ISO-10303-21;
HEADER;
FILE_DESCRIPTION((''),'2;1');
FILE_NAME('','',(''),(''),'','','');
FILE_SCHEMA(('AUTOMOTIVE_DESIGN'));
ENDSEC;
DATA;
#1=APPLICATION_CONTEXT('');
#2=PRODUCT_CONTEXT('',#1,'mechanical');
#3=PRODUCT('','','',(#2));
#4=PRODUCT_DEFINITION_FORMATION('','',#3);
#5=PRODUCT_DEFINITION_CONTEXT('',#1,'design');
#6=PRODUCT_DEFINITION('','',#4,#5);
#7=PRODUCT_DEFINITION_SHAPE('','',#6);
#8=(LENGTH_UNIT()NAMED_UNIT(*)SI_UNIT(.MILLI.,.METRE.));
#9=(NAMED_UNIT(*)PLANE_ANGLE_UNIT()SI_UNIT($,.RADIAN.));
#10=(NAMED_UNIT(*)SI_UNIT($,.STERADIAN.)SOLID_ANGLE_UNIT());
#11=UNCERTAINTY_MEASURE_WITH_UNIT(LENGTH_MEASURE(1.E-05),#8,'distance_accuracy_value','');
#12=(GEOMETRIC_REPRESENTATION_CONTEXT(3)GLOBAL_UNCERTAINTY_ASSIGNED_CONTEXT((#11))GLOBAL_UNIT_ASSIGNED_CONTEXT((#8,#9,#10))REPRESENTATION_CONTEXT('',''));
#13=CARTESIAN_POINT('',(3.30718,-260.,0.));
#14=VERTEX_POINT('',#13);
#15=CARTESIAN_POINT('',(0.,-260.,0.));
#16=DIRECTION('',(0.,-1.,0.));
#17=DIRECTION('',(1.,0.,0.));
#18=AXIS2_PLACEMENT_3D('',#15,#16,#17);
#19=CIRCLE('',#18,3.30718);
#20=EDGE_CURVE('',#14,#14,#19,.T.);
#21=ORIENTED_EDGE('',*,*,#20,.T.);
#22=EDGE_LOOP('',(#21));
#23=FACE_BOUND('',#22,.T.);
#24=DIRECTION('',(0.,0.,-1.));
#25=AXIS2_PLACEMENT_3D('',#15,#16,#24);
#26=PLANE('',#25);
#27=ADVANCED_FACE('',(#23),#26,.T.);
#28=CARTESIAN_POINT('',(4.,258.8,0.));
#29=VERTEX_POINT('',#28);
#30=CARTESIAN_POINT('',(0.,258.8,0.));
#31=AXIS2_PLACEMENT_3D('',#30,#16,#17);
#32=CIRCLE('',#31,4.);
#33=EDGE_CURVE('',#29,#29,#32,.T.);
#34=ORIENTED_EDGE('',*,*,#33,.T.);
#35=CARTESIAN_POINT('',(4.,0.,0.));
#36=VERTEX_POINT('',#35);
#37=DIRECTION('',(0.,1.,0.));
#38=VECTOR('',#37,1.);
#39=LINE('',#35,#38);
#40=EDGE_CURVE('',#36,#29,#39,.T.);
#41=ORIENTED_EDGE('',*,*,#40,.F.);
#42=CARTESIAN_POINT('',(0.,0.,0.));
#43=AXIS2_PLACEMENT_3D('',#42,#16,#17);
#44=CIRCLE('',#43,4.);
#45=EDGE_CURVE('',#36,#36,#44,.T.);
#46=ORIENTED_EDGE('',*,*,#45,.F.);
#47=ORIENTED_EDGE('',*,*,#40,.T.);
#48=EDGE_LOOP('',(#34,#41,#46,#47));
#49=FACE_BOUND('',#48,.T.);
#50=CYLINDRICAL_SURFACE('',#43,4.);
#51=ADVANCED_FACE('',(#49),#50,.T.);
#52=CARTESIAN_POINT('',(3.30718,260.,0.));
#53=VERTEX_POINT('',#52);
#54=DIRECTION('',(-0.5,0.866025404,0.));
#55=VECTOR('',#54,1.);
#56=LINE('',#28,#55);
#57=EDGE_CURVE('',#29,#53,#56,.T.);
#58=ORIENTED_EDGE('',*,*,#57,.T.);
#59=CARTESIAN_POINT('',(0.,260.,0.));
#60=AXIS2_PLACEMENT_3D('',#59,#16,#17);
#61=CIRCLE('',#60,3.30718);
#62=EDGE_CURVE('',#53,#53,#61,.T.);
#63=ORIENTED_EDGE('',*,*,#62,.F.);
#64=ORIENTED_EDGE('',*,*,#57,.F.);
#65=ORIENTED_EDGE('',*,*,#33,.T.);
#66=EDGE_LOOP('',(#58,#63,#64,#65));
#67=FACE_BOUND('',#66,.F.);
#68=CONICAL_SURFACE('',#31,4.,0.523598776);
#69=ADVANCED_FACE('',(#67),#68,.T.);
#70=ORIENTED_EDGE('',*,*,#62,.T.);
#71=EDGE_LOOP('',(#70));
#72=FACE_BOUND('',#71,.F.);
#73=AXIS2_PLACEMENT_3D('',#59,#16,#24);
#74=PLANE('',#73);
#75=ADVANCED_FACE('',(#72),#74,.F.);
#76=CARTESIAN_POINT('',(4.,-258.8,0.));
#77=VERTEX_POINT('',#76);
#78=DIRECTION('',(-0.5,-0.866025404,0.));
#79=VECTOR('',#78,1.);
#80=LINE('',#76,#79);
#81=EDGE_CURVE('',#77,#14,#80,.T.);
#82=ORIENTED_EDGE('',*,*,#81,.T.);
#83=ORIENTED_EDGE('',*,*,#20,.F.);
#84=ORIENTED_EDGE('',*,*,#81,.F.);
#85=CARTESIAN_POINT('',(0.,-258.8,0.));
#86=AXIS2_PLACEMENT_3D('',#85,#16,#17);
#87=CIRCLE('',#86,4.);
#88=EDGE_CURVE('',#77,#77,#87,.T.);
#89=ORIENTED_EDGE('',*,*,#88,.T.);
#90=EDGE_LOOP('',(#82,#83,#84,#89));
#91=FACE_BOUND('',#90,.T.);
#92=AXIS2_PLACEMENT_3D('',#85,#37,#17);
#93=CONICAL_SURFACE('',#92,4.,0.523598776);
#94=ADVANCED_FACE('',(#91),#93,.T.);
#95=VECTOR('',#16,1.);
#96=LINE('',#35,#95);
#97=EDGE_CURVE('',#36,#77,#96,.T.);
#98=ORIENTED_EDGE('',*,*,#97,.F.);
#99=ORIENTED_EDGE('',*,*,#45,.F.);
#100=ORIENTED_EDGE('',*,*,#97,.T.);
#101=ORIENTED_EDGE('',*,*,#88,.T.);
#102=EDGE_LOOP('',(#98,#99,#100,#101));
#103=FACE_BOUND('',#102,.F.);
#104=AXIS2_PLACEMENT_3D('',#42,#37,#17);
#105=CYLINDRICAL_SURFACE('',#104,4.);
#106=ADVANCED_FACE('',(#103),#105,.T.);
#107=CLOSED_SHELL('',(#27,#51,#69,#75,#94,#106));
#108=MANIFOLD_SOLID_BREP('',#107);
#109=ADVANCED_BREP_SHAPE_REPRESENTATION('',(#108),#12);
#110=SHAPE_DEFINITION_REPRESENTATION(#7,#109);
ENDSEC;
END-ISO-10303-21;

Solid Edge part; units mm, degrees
sketch "Sketch1" plane through (0, 0, 0) normal (0, -1, 0) x (1, 0, 0)
  circle A0 centre (0, 0) radius 4
  dimension "D1" = 8
extrude "Protrusion1" add sketch "Sketch1" along normal mid plane 520
chamfer "Chamfer_1" distance 1.2 angle 30 2 edges at (-4, -260, 0) (-4, 260, 0) measured on face at (2.2136, -214.0667, 3.3317) measured on face at (2.2136, 214.0667, 3.3317)
properties material "Stainless steel"
